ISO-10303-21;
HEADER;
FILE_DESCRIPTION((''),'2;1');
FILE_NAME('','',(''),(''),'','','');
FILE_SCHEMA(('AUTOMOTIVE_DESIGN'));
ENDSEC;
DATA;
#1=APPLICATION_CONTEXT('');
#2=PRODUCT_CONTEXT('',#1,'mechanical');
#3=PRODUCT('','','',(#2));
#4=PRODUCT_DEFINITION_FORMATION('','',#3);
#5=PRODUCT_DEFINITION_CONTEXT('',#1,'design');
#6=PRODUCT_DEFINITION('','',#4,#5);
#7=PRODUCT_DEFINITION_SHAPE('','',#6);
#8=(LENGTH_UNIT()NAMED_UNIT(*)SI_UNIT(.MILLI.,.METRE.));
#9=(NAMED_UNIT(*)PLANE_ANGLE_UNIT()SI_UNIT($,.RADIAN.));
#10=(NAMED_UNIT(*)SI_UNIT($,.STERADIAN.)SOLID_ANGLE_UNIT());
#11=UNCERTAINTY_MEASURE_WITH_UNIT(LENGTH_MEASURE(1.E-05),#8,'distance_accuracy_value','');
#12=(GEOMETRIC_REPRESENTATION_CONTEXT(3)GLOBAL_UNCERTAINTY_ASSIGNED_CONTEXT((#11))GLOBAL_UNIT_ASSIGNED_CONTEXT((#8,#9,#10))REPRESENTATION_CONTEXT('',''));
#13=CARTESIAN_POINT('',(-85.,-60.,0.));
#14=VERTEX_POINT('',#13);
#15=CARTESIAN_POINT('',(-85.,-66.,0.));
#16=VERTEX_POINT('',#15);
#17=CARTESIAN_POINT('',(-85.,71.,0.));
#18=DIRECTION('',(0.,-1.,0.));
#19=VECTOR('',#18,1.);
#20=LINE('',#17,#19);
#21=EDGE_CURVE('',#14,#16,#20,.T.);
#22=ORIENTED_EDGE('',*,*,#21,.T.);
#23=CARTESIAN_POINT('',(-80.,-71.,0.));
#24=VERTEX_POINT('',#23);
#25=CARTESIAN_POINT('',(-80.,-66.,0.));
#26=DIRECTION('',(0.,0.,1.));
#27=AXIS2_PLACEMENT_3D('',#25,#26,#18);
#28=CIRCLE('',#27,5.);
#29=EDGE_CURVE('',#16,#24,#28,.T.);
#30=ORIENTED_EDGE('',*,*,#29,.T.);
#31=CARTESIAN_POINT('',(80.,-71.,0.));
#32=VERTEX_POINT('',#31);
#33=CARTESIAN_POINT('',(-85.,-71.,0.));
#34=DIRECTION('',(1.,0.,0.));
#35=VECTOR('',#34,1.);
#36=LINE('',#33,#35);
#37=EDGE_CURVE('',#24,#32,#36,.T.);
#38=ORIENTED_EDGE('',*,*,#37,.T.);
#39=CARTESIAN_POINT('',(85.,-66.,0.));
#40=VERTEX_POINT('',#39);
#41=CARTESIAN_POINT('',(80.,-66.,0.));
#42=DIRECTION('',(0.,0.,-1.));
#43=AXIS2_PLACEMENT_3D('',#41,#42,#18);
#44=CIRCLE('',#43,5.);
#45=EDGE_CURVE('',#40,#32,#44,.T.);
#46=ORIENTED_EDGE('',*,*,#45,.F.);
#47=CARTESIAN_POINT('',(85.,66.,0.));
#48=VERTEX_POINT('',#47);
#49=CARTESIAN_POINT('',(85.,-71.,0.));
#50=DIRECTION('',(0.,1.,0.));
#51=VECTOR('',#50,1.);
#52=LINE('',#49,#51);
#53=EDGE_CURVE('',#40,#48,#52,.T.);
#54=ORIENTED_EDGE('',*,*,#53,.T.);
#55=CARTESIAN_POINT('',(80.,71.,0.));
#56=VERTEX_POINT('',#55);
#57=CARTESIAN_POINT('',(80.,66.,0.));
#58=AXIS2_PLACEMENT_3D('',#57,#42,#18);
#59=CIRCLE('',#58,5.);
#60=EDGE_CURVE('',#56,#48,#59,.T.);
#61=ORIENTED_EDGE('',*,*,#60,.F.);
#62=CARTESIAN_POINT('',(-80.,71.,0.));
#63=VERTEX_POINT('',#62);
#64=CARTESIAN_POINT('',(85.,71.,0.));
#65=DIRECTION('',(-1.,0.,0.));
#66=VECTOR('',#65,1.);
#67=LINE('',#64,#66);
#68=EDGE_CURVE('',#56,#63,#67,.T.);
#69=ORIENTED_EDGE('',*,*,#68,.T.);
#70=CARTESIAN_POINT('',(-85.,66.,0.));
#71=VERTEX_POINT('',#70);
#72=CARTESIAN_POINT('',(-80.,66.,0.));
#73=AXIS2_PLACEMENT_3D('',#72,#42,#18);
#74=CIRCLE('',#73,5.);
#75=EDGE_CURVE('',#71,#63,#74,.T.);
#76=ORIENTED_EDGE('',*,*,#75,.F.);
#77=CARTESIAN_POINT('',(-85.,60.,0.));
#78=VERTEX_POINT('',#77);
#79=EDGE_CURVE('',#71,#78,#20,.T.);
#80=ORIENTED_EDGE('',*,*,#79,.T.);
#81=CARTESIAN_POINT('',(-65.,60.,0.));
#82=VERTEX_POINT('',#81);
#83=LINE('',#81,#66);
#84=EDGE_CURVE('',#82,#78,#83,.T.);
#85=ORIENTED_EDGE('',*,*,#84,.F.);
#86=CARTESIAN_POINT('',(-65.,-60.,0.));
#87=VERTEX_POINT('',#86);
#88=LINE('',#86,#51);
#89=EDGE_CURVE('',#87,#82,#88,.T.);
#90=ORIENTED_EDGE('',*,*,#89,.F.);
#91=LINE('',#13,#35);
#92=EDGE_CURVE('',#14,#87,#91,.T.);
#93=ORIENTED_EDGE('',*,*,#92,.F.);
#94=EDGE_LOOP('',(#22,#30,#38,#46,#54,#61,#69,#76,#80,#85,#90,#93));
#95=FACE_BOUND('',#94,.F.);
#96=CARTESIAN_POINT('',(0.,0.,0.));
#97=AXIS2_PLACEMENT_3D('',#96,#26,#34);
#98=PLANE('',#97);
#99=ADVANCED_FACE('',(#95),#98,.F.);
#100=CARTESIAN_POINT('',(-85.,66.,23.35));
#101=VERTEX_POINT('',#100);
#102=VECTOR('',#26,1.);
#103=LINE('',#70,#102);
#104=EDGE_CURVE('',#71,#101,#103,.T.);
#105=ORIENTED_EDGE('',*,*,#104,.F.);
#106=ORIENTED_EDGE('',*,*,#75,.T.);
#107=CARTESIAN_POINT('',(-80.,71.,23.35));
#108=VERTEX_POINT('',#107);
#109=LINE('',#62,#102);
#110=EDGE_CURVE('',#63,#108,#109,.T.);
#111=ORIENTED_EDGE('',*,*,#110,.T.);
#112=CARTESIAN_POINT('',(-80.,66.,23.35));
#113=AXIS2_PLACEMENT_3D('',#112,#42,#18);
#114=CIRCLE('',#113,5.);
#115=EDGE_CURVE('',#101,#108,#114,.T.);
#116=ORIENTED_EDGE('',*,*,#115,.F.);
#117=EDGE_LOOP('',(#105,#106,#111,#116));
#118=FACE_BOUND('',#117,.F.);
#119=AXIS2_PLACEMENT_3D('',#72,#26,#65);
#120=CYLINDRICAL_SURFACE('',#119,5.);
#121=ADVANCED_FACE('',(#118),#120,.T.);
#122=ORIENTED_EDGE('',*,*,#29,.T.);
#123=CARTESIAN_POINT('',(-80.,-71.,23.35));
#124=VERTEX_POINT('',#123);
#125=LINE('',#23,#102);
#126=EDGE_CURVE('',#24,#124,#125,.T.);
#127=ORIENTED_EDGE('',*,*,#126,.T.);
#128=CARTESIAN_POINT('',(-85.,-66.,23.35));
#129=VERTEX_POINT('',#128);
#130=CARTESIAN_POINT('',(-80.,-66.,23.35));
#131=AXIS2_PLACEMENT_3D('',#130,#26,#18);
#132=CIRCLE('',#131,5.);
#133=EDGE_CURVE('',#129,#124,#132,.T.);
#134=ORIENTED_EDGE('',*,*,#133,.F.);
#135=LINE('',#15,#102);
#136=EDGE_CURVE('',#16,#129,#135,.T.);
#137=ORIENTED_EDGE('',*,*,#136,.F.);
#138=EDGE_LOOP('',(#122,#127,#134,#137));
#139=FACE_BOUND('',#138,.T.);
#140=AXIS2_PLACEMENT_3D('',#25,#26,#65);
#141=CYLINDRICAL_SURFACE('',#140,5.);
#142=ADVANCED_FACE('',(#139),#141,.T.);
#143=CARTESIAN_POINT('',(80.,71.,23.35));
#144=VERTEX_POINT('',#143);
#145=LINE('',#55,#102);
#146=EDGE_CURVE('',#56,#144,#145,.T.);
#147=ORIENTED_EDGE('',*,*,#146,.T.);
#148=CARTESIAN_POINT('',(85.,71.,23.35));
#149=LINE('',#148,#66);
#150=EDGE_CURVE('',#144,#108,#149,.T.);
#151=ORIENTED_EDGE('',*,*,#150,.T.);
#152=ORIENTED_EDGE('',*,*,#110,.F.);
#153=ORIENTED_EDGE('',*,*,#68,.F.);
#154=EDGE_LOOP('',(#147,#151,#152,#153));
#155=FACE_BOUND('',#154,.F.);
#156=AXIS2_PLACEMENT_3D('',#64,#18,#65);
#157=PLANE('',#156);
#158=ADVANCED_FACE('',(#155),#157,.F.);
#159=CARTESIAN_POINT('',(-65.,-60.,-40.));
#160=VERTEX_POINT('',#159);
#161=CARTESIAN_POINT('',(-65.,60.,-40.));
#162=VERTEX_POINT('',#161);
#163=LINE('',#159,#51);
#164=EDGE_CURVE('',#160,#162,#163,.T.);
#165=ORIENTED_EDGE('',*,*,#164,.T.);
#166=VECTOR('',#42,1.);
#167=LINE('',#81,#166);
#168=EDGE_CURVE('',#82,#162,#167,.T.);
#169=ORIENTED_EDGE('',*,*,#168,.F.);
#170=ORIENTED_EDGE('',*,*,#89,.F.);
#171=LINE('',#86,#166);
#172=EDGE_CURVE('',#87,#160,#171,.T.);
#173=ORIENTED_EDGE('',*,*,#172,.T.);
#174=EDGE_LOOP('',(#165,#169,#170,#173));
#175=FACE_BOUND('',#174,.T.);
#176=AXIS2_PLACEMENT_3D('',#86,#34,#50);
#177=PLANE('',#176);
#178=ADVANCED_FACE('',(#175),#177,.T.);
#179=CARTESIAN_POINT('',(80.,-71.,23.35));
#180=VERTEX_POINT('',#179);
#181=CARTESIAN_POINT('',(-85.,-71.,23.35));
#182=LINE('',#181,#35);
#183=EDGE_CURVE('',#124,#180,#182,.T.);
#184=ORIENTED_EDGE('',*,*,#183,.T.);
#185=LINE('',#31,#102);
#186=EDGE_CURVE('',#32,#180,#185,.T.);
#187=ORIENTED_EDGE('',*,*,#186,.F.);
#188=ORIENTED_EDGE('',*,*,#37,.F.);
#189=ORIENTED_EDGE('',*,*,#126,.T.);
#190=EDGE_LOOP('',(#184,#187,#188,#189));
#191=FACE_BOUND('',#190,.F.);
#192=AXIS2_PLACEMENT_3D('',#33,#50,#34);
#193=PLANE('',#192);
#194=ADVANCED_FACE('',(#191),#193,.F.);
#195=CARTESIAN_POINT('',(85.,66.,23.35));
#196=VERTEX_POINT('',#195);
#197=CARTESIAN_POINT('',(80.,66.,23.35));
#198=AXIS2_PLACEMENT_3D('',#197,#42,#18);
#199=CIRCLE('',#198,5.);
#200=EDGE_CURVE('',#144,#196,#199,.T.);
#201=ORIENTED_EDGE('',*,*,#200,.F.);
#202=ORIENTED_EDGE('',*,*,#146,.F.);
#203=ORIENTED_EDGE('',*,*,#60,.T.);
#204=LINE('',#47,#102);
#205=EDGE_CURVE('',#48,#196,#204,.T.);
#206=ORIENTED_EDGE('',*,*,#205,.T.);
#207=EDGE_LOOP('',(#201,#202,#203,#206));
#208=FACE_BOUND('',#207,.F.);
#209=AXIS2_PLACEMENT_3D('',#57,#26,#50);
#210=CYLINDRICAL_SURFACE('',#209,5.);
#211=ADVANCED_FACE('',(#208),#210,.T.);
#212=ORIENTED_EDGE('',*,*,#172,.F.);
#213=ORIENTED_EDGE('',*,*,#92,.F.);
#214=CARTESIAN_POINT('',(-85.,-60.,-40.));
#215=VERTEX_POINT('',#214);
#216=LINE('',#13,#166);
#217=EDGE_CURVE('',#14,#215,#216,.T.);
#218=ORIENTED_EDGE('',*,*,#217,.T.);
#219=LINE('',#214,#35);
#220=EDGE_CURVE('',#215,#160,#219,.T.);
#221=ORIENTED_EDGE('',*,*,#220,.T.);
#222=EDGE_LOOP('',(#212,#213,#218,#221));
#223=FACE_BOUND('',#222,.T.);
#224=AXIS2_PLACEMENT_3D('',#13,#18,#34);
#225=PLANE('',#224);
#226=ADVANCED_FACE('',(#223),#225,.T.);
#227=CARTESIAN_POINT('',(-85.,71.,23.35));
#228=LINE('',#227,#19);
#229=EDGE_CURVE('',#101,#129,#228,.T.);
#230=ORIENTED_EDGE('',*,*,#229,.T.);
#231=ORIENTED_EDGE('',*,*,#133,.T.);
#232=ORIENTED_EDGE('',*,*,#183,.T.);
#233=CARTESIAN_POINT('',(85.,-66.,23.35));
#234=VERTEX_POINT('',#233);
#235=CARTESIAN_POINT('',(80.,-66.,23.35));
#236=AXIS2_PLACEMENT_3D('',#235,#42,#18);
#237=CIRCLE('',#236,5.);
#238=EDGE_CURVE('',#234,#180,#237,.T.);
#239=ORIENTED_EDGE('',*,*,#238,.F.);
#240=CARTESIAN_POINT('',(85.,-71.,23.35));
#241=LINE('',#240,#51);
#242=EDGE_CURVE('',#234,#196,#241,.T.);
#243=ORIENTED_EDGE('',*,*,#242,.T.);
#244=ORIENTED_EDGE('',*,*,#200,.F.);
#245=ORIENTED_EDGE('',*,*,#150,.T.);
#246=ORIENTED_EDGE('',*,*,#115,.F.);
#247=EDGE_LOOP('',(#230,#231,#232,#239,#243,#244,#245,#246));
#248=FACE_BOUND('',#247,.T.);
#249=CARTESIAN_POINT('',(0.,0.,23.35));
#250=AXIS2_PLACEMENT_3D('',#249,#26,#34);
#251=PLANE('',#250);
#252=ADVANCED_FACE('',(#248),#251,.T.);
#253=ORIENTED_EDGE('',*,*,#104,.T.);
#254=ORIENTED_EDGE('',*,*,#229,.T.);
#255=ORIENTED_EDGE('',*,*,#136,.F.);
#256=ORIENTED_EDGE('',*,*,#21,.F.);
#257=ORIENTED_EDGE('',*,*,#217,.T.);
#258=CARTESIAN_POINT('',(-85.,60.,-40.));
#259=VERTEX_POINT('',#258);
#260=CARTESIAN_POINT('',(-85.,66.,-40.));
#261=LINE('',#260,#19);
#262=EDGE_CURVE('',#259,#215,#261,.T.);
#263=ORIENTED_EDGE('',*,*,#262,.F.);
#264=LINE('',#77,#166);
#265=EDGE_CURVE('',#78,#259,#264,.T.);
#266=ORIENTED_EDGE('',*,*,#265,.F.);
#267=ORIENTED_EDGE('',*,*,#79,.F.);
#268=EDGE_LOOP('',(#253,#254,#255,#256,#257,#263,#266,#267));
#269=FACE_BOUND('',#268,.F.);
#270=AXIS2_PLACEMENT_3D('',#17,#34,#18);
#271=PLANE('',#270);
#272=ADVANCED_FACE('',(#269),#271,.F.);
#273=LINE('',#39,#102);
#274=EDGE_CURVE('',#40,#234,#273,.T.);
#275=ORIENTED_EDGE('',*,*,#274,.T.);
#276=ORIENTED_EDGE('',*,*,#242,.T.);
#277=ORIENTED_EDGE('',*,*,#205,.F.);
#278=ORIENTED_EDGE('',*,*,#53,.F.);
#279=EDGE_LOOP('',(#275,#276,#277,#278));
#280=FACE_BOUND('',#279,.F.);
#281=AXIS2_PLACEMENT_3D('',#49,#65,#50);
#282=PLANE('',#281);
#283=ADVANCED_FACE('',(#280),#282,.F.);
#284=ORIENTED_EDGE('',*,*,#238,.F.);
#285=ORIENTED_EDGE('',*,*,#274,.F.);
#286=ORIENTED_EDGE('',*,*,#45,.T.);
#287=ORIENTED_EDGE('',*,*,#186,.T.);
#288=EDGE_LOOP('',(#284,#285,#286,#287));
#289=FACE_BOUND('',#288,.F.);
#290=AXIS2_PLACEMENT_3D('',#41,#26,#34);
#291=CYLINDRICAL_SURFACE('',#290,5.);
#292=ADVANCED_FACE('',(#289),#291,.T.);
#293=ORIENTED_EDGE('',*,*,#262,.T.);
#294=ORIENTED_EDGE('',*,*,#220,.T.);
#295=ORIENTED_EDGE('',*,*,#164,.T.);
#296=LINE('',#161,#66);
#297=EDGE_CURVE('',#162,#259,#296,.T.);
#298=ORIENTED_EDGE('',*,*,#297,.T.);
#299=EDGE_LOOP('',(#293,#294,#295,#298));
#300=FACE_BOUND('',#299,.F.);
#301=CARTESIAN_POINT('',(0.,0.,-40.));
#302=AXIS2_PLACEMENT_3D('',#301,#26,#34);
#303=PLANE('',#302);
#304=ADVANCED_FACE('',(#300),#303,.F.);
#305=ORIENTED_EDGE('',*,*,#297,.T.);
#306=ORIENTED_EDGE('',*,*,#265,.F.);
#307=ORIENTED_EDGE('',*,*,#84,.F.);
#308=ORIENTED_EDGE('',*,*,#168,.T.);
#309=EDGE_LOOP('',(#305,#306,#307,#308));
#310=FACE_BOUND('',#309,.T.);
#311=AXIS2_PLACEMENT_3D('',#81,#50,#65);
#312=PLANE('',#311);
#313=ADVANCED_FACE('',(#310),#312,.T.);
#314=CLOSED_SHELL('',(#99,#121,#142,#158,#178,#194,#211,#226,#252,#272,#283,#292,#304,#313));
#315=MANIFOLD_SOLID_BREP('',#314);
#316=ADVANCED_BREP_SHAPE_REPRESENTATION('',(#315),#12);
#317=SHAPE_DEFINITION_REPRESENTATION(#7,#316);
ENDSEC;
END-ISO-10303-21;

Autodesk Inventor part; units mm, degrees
ref_plane "YZ Plane" through (0, 0, 0) normal (1, 0, 0) x (0, 1, 0)
ref_plane "XZ Plane" through (0, 0, 0) normal (0, 1, 0) x (-1, 0, 0)
ref_plane "XY Plane" through (0, 0, 0) normal (0, 0, 1) x (1, 0, 0)
sketch "スケッチ1" plane through (0, 0, 0) normal (0, 0, 1) x (1, 0, 0)
  line L0 (-85, -71) -> (85, -71)
  line L1 (85, -71) -> (85, 71)
  line L2 (85, 71) -> (-85, 71)
  line L3 (-85, 71) -> (-85, -71)
  line L4 (-85, -71) -> (85, 71) construction
  line L5 (85, -71) -> (-85, 71) construction
  point P0 (0, 0)
  dimension "d0" = 170
  dimension "d1" = 142
extrude "押し出し1" add sketch "スケッチ1" along normal blind 23.35
fillet "フィレット1" radius 5 4 edges at (-85, 71, 11.675) (-85, -71, 11.675) (85, 71, 11.675) (85, -71, 11.675)
sketch "スケッチ2" plane through (0, 0, 0) normal (0, 0, 1) x (1, 0, 0)
  arc A0 (80, -71) -> (85, -66) centre (80, -66) ccw projected
  line L0 (85, -66) -> (85, 66) projected
  arc A1 (85, 66) -> (80, 71) centre (80, 66) ccw projected
  line L1 (80, 71) -> (-80, 71) projected
  arc A2 (-80, 71) -> (-85, 66) centre (-80, 66) ccw projected
  line L2 (-85, 66) -> (-85, -66) projected
  arc A3 (-85, -66) -> (-80, -71) centre (-80, -66) ccw projected
  line L3 (-80, -71) -> (80, -71) projected
  line L4 (-60, 51) -> (60, 51)
  line L5 (60, 51) -> (60, 71)
  line L6 (60, 71) -> (-60, 71)
  line L7 (-60, 71) -> (-60, 51)
  line L8 (-60, 51) -> (60, 71) construction
  line L9 (60, 51) -> (-60, 71) construction
  line L10 (80, 71) -> (-80, 71) projected
  line L11 (-20, 71) -> (-20, 51)
  line L12 (20, 51) -> (20, 71)
  line L13 (-65, 60) -> (-85, 60)
  line L14 (-85, 60) -> (-85, -60)
  line L15 (-85, -60) -> (-65, -60)
  line L16 (-65, -60) -> (-65, 60)
  line L17 (-65, 60) -> (-85, -60) construction
  line L18 (-85, 60) -> (-65, -60) construction
  point P0 (0, 0)
  point P1 (0, 61)
  point P2 (0, 61)
  point P3 (-75, 0)
  point P4 (-75, 0)
  dimension "d5" = 120
  dimension "d6" = 20
  dimension "d9" = 40
  dimension "d10" = 40
  dimension "d11" = 120
  dimension "d12" = 20
extrude "押し出し2" add sketch "スケッチ2" against normal blind 40 contours L2 L13 L16 L15
properties part number "base_link"
